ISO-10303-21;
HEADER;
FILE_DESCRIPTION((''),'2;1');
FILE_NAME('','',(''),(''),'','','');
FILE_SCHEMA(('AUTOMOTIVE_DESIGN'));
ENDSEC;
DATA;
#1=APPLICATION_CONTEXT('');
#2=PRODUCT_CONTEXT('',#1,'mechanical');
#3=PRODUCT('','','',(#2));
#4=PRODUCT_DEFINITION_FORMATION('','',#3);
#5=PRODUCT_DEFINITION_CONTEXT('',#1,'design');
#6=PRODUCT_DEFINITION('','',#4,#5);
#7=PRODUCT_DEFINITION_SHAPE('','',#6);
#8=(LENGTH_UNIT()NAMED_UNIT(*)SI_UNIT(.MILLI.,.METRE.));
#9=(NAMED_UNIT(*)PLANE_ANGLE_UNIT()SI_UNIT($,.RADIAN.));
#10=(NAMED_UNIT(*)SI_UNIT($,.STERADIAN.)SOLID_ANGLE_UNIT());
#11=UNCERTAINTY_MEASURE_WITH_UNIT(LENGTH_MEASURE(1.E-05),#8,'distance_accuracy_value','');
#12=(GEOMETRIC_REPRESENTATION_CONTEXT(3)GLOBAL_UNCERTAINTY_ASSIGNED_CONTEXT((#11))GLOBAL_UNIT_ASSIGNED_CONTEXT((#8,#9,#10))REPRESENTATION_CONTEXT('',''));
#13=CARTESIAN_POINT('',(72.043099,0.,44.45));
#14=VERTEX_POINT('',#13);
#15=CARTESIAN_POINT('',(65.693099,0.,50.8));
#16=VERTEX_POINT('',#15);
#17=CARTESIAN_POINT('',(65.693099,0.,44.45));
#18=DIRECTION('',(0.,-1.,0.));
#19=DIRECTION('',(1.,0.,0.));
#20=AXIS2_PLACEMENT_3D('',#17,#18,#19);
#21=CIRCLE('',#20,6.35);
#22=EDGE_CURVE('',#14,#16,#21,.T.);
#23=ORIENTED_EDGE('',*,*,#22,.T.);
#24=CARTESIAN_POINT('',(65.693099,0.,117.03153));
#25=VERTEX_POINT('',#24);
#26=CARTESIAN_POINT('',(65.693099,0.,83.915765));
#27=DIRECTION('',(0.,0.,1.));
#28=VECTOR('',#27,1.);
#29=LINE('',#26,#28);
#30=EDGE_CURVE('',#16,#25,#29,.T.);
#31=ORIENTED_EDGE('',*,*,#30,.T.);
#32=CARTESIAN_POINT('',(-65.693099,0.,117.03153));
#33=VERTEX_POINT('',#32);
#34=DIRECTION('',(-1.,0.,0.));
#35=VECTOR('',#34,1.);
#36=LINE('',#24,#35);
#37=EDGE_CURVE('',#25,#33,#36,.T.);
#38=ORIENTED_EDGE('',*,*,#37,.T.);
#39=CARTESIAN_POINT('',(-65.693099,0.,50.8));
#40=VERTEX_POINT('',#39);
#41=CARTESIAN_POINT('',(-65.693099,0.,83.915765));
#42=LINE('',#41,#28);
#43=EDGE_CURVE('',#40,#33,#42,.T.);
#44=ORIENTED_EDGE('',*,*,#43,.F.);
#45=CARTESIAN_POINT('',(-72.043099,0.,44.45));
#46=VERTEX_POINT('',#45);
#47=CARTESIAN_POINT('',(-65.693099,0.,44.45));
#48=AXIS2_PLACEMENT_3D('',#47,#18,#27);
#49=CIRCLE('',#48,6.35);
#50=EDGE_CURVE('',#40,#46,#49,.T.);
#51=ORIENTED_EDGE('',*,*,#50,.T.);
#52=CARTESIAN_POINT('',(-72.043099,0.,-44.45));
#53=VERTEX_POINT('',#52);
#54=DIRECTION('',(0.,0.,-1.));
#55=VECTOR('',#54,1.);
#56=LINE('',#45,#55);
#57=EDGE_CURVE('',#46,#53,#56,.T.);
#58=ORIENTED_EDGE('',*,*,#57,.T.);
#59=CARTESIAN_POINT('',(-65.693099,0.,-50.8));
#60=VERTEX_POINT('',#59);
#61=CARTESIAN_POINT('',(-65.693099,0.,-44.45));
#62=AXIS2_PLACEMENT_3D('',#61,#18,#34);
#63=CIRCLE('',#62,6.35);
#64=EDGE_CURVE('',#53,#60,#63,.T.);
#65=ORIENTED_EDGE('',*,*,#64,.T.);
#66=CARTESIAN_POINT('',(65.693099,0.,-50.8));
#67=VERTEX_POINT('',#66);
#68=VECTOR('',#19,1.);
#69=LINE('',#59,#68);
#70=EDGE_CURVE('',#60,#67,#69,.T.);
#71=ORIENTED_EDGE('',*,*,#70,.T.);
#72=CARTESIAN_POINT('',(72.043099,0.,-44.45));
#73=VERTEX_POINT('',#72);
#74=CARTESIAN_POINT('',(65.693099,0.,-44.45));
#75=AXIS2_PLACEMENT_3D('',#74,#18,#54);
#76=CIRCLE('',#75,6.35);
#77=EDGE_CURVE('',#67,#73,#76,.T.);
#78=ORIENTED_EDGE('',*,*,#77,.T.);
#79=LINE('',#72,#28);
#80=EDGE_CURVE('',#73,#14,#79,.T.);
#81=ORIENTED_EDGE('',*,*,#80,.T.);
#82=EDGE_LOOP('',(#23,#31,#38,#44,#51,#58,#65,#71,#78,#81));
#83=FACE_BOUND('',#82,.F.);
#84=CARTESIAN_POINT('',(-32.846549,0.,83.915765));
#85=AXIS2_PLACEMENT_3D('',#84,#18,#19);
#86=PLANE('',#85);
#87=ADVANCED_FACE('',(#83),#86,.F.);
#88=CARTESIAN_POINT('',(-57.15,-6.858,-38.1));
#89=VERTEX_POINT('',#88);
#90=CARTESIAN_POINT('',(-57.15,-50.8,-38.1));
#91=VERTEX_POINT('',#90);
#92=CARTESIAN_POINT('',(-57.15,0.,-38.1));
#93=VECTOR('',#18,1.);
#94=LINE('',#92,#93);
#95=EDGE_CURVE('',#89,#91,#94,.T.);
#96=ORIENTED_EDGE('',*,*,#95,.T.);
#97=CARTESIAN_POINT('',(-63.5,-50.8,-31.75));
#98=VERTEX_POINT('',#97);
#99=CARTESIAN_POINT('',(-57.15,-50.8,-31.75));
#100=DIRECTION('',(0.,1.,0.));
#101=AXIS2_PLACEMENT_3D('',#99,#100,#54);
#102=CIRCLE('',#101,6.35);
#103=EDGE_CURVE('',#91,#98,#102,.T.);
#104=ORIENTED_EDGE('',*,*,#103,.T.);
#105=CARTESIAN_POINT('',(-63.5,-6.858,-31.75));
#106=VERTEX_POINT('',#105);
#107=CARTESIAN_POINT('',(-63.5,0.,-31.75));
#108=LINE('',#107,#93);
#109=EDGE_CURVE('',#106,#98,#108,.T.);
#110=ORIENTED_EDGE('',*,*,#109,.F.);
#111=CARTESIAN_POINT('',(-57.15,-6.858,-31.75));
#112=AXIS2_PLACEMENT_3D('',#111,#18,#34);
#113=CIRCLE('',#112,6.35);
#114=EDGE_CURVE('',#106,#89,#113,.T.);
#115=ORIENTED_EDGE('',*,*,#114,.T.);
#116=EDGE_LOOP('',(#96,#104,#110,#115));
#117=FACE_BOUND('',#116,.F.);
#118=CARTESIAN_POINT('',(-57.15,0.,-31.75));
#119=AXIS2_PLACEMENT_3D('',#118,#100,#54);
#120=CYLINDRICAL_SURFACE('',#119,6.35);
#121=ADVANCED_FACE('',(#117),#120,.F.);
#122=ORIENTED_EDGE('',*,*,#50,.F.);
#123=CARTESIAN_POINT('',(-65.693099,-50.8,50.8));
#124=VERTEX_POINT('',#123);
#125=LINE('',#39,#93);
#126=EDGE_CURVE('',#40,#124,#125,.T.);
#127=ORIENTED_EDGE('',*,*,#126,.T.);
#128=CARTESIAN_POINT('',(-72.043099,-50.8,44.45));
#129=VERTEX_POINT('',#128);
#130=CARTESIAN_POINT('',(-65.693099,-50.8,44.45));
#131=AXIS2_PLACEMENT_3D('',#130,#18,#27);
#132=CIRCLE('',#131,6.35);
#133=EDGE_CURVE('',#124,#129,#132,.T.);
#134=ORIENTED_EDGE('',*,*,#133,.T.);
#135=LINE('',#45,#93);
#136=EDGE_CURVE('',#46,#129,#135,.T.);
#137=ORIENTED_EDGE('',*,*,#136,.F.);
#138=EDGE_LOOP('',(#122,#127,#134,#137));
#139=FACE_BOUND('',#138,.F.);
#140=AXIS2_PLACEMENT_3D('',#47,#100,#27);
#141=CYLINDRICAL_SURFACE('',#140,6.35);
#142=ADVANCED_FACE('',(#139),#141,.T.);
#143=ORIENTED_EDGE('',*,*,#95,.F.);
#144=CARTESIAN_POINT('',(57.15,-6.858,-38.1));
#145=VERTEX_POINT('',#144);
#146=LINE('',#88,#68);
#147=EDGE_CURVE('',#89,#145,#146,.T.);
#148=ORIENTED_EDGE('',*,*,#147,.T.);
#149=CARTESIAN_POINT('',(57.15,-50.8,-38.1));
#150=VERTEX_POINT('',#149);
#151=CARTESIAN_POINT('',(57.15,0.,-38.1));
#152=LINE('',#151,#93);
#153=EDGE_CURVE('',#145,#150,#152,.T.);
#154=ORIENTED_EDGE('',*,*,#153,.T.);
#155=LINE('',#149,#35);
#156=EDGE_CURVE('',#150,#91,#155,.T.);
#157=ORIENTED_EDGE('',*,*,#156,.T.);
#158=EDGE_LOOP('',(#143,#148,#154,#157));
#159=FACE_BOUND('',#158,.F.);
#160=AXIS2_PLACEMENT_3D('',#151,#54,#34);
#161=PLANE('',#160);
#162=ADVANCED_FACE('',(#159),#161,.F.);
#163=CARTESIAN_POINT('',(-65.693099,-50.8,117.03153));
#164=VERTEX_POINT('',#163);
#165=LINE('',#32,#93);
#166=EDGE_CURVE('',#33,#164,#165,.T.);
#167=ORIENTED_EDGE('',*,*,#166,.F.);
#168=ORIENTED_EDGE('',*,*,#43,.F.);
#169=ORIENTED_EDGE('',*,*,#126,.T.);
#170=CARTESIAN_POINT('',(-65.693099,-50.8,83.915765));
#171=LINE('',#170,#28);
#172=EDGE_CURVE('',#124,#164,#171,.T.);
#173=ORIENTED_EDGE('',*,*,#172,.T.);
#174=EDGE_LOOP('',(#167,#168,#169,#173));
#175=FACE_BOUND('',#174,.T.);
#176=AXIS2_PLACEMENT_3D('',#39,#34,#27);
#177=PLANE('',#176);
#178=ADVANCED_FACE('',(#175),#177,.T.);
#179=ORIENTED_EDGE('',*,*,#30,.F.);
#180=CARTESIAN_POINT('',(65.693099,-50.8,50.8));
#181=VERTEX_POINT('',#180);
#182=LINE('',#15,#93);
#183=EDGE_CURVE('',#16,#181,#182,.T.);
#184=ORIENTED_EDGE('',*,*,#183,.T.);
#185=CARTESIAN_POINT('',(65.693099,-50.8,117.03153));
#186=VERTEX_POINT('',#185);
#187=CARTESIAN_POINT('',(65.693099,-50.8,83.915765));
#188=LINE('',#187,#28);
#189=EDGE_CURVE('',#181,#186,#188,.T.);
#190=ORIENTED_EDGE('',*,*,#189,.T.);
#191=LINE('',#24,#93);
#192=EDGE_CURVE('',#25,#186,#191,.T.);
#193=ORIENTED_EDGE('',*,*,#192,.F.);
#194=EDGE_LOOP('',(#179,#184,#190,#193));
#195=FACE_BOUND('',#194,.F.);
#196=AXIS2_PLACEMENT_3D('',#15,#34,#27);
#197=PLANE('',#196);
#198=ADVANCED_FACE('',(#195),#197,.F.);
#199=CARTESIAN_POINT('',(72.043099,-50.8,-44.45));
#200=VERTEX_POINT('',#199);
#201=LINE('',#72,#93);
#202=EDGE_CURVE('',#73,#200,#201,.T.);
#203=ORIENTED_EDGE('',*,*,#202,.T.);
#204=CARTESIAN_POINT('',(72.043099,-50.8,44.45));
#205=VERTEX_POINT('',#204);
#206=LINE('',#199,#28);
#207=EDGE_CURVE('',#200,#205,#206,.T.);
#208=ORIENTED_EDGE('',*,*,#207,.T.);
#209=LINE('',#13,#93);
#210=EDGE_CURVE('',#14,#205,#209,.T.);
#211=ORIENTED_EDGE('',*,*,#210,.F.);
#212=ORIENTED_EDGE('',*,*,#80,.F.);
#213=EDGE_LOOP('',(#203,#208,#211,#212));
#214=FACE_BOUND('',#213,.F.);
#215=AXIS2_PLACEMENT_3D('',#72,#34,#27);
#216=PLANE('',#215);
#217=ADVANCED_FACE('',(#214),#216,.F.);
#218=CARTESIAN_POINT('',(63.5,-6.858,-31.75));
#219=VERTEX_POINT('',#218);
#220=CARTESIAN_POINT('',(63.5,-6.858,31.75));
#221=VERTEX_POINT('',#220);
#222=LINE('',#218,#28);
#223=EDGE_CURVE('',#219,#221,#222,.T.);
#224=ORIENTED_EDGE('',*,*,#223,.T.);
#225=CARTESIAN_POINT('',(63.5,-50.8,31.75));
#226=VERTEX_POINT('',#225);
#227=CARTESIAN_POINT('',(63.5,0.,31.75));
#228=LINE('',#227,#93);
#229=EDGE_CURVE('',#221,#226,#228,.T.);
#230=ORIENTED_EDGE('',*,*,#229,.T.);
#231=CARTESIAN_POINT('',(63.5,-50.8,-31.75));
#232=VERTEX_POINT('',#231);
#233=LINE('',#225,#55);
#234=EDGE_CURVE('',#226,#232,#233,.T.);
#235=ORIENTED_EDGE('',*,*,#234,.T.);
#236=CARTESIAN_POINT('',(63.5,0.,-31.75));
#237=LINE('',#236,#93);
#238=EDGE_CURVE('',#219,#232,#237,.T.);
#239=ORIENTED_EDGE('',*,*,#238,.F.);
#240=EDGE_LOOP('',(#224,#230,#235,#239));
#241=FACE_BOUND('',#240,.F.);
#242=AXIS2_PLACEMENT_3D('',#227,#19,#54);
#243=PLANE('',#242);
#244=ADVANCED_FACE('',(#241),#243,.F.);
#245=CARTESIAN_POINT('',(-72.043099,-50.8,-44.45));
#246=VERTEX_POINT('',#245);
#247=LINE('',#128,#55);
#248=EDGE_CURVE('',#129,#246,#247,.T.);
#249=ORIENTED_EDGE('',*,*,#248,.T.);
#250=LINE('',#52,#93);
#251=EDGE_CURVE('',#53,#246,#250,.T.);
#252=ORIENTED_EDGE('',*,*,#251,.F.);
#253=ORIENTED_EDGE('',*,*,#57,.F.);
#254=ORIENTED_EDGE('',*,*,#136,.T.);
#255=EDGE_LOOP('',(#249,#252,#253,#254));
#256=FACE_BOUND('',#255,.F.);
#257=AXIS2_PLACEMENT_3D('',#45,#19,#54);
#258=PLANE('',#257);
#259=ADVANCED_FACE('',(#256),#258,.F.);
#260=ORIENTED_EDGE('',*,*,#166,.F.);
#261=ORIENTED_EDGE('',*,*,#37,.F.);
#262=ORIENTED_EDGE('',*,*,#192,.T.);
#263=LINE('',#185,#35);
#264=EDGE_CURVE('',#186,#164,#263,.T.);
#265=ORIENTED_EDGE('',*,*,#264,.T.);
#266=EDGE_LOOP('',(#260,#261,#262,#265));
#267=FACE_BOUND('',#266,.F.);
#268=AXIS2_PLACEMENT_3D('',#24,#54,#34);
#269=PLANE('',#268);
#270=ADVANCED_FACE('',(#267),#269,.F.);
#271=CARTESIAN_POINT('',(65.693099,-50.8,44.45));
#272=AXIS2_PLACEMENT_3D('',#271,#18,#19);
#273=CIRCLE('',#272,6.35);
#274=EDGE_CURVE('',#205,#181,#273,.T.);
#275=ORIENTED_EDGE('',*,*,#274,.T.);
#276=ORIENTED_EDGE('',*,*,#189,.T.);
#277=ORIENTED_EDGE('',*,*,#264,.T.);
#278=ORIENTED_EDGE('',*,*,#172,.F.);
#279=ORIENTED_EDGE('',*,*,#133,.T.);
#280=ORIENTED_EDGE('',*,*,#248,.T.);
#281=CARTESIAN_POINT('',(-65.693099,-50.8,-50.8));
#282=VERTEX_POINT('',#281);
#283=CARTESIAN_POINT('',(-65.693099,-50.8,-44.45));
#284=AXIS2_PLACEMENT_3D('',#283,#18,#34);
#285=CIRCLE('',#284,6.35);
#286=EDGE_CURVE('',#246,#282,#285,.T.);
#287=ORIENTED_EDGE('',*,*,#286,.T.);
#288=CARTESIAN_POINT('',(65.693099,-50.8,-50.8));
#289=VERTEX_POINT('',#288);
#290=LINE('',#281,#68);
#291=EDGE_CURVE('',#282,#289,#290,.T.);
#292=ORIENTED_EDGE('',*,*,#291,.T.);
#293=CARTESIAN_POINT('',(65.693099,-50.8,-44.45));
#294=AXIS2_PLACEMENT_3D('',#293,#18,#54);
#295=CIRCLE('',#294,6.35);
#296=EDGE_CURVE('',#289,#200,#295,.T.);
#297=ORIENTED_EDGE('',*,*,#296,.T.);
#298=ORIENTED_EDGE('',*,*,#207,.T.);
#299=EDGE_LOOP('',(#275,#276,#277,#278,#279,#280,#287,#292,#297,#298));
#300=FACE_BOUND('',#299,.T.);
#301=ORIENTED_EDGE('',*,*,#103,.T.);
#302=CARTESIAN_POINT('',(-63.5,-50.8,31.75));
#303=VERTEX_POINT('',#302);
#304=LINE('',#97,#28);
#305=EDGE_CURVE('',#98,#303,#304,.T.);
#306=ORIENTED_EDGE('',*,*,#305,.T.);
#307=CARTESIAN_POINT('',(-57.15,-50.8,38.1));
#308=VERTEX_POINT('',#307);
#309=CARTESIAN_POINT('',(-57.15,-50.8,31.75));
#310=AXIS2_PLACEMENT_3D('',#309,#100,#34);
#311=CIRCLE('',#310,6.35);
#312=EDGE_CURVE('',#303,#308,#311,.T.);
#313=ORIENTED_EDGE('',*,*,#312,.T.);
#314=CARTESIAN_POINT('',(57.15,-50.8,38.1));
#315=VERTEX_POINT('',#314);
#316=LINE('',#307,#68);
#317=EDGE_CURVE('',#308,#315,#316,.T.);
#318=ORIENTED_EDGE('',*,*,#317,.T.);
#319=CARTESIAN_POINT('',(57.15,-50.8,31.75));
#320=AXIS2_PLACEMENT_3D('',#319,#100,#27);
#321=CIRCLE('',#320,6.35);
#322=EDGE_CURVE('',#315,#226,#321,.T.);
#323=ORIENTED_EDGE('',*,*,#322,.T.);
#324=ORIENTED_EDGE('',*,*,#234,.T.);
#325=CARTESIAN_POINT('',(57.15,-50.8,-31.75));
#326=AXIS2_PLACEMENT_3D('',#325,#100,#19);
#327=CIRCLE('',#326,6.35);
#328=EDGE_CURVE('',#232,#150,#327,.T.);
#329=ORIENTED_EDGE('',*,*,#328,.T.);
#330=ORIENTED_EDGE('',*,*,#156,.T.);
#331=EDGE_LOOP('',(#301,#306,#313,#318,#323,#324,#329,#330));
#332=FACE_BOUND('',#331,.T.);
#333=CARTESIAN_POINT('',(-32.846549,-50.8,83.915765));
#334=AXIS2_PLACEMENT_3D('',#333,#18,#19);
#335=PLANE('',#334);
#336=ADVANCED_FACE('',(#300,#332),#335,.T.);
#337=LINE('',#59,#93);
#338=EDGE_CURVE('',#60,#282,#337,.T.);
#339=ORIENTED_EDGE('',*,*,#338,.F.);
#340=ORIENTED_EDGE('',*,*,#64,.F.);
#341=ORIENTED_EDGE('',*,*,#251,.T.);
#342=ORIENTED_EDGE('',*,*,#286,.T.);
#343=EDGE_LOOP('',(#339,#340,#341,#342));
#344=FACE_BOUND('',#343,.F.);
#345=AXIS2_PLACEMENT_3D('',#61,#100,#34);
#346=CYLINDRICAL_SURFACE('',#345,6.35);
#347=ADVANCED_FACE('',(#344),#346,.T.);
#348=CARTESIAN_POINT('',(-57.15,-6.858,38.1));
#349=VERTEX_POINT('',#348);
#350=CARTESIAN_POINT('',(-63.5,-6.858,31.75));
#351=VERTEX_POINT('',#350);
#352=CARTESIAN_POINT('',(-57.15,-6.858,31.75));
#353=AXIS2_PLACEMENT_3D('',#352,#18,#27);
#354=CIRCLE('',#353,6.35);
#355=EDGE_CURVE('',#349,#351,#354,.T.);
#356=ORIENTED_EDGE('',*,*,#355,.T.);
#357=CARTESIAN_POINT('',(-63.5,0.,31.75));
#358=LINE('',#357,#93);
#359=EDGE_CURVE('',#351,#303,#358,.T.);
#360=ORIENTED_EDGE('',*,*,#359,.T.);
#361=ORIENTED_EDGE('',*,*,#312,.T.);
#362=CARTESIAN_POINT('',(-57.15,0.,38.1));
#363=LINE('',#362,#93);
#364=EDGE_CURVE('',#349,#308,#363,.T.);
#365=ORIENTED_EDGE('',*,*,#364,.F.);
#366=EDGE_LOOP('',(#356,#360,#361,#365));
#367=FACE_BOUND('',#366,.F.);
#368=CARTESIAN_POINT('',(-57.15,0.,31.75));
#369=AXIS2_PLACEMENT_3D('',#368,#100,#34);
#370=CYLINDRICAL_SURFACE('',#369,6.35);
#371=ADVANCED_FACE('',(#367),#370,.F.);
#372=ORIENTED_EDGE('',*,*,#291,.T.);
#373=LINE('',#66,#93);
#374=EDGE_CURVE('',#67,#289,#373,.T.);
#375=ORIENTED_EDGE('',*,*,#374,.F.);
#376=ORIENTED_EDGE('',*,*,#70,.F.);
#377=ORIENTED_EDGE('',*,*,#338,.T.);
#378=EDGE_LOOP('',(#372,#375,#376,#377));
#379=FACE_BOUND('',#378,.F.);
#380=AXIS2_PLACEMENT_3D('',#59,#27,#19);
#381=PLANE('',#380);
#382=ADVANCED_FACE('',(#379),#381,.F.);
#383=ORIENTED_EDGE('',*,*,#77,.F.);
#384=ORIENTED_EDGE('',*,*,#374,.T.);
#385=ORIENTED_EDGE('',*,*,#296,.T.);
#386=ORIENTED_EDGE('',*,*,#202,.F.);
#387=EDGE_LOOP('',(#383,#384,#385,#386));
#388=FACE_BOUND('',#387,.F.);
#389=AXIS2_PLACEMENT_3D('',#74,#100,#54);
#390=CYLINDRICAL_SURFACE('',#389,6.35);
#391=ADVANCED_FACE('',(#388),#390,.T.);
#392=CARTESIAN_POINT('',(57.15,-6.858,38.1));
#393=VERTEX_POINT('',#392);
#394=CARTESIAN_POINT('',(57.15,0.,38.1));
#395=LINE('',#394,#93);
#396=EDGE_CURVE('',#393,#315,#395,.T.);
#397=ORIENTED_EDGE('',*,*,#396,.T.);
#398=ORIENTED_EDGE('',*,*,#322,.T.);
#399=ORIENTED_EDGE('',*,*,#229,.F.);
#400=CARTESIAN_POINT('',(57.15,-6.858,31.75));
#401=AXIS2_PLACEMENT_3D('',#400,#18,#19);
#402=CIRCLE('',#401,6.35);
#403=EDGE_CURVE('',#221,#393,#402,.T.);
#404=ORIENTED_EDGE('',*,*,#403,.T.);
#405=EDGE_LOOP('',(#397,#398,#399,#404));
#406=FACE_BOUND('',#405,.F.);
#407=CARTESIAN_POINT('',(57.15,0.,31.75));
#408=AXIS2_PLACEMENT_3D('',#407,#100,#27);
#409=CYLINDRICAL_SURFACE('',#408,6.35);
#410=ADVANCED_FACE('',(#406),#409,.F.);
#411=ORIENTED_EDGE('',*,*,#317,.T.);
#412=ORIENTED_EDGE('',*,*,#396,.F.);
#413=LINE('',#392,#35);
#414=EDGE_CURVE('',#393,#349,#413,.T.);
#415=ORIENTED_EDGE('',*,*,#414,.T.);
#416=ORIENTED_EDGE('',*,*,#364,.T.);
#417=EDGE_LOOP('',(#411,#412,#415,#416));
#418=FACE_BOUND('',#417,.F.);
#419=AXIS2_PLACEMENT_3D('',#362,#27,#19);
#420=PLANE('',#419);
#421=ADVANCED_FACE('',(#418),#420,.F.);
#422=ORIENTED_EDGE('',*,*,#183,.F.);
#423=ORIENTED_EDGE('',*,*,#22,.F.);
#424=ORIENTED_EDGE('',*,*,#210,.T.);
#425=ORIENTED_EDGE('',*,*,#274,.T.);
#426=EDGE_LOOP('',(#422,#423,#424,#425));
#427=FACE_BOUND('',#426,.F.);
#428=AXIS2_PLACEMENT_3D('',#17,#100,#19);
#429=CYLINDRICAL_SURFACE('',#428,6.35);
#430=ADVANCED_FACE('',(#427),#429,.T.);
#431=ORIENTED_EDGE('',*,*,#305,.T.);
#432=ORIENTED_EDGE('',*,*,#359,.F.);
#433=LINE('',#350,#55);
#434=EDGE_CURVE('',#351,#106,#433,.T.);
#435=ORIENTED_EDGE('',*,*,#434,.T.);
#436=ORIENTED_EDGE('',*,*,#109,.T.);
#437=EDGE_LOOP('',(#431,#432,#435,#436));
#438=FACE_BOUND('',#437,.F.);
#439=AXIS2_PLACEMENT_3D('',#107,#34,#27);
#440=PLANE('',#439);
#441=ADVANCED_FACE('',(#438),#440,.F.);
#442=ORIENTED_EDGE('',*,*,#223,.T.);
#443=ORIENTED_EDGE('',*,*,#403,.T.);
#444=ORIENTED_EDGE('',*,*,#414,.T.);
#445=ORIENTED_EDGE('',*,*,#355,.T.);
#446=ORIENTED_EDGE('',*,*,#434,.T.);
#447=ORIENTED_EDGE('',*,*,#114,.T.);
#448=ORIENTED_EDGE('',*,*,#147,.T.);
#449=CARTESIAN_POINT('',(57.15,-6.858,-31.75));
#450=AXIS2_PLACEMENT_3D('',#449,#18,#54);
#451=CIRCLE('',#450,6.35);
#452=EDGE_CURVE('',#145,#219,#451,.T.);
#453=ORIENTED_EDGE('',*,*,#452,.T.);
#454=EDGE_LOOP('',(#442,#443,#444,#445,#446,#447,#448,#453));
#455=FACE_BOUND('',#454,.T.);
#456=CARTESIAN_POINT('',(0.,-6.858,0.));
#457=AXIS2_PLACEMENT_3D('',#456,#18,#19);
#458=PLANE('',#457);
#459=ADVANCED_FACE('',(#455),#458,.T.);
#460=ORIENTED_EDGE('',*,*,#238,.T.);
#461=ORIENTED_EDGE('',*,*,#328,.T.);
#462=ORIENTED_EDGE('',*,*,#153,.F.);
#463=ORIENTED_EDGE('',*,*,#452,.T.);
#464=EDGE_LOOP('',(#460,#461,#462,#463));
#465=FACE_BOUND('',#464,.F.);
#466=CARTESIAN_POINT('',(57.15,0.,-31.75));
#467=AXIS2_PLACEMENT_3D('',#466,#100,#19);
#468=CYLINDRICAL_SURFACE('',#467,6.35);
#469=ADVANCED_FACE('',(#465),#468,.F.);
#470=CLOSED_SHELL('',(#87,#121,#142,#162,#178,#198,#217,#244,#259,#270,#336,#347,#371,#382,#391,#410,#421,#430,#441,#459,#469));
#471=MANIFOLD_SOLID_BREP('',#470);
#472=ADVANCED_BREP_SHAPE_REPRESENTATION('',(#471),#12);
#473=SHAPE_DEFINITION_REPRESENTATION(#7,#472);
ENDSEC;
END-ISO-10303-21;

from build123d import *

# Parameters (mm, degrees)
F1_DEPTH = 6.858
F0_W     = 65.6930985093
F0_H     = 66.2315295458
F2_DEPTH = 50.8


with BuildPart() as f1:
    # F0 (on Front) → F1 (new body)
    with BuildSketch(Plane.XZ):
        with BuildLine():
            ThreePointArc((63.5, 31.75), (61.6401280605, 36.2401280605), (57.15, 38.1))
            Line((57.15, 38.1), (-57.15, 38.1))
            ThreePointArc((-57.15, 38.1), (-61.6401280605, 36.2401280605), (-63.5, 31.75))
            Line((-63.5, 31.75), (-63.5, -31.75))
            ThreePointArc((-63.5, -31.75), (-61.6401280605, -36.2401280605), (-57.15, -38.1))
            Line((-57.15, -38.1), (57.15, -38.1))
            ThreePointArc((57.15, -38.1), (61.6401280605, -36.2401280605), (63.5, -31.75))
            Line((63.5, -31.75), (63.5, 31.75))
        make_face()
    extrude(amount=F1_DEPTH)

    # F0 (on Front) → F2 (join)
    with BuildSketch(Plane.XZ):
        with Locations((-32.8465492547, 83.9157647729)):
            Rectangle(F0_W, F0_H)
        with BuildLine():
            Line((0, 50.8), (-65.6930985093, 50.8))
            ThreePointArc((-65.6930985093, 50.8), (-70.1832265698, 48.9401280605), (-72.0430985093, 44.45))
            Line((-72.0430985093, 44.45), (-72.0430985093, -44.45))
            ThreePointArc((-72.0430985093, -44.45), (-70.1832265698, -48.9401280605), (-65.6930985093, -50.8))
            Line((-65.6930985093, -50.8), (65.6930985093, -50.8))
            ThreePointArc((65.6930985093, -50.8), (70.1832265698, -48.9401280605), (72.0430985093, -44.45))
            Line((72.0430985093, -44.45), (72.0430985093, 44.45))
            ThreePointArc((72.0430985093, 44.45), (70.1832265698, 48.9401280605), (65.6930985093, 50.8))
            Line((65.6930985093, 50.8), (0, 50.8))
        make_face()
        with BuildLine():
            Line((-57.15, 38.1), (57.15, 38.1))
            ThreePointArc((57.15, 38.1), (61.6401280605, 36.2401280605), (63.5, 31.75))
            Line((63.5, 31.75), (63.5, -31.75))
            ThreePointArc((63.5, -31.75), (61.6401280605, -36.2401280605), (57.15, -38.1))
            Line((57.15, -38.1), (-57.15, -38.1))
            ThreePointArc((-57.15, -38.1), (-61.6401280605, -36.2401280605), (-63.5, -31.75))
            Line((-63.5, -31.75), (-63.5, 31.75))
            ThreePointArc((-63.5, 31.75), (-61.6401280605, 36.2401280605), (-57.15, 38.1))
        make_face(mode=Mode.SUBTRACT)
        with Locations((32.8465492547, 83.9157647729)):
            Rectangle(F0_W, F0_H)
    extrude(amount=F2_DEPTH)


solid = f1.part
